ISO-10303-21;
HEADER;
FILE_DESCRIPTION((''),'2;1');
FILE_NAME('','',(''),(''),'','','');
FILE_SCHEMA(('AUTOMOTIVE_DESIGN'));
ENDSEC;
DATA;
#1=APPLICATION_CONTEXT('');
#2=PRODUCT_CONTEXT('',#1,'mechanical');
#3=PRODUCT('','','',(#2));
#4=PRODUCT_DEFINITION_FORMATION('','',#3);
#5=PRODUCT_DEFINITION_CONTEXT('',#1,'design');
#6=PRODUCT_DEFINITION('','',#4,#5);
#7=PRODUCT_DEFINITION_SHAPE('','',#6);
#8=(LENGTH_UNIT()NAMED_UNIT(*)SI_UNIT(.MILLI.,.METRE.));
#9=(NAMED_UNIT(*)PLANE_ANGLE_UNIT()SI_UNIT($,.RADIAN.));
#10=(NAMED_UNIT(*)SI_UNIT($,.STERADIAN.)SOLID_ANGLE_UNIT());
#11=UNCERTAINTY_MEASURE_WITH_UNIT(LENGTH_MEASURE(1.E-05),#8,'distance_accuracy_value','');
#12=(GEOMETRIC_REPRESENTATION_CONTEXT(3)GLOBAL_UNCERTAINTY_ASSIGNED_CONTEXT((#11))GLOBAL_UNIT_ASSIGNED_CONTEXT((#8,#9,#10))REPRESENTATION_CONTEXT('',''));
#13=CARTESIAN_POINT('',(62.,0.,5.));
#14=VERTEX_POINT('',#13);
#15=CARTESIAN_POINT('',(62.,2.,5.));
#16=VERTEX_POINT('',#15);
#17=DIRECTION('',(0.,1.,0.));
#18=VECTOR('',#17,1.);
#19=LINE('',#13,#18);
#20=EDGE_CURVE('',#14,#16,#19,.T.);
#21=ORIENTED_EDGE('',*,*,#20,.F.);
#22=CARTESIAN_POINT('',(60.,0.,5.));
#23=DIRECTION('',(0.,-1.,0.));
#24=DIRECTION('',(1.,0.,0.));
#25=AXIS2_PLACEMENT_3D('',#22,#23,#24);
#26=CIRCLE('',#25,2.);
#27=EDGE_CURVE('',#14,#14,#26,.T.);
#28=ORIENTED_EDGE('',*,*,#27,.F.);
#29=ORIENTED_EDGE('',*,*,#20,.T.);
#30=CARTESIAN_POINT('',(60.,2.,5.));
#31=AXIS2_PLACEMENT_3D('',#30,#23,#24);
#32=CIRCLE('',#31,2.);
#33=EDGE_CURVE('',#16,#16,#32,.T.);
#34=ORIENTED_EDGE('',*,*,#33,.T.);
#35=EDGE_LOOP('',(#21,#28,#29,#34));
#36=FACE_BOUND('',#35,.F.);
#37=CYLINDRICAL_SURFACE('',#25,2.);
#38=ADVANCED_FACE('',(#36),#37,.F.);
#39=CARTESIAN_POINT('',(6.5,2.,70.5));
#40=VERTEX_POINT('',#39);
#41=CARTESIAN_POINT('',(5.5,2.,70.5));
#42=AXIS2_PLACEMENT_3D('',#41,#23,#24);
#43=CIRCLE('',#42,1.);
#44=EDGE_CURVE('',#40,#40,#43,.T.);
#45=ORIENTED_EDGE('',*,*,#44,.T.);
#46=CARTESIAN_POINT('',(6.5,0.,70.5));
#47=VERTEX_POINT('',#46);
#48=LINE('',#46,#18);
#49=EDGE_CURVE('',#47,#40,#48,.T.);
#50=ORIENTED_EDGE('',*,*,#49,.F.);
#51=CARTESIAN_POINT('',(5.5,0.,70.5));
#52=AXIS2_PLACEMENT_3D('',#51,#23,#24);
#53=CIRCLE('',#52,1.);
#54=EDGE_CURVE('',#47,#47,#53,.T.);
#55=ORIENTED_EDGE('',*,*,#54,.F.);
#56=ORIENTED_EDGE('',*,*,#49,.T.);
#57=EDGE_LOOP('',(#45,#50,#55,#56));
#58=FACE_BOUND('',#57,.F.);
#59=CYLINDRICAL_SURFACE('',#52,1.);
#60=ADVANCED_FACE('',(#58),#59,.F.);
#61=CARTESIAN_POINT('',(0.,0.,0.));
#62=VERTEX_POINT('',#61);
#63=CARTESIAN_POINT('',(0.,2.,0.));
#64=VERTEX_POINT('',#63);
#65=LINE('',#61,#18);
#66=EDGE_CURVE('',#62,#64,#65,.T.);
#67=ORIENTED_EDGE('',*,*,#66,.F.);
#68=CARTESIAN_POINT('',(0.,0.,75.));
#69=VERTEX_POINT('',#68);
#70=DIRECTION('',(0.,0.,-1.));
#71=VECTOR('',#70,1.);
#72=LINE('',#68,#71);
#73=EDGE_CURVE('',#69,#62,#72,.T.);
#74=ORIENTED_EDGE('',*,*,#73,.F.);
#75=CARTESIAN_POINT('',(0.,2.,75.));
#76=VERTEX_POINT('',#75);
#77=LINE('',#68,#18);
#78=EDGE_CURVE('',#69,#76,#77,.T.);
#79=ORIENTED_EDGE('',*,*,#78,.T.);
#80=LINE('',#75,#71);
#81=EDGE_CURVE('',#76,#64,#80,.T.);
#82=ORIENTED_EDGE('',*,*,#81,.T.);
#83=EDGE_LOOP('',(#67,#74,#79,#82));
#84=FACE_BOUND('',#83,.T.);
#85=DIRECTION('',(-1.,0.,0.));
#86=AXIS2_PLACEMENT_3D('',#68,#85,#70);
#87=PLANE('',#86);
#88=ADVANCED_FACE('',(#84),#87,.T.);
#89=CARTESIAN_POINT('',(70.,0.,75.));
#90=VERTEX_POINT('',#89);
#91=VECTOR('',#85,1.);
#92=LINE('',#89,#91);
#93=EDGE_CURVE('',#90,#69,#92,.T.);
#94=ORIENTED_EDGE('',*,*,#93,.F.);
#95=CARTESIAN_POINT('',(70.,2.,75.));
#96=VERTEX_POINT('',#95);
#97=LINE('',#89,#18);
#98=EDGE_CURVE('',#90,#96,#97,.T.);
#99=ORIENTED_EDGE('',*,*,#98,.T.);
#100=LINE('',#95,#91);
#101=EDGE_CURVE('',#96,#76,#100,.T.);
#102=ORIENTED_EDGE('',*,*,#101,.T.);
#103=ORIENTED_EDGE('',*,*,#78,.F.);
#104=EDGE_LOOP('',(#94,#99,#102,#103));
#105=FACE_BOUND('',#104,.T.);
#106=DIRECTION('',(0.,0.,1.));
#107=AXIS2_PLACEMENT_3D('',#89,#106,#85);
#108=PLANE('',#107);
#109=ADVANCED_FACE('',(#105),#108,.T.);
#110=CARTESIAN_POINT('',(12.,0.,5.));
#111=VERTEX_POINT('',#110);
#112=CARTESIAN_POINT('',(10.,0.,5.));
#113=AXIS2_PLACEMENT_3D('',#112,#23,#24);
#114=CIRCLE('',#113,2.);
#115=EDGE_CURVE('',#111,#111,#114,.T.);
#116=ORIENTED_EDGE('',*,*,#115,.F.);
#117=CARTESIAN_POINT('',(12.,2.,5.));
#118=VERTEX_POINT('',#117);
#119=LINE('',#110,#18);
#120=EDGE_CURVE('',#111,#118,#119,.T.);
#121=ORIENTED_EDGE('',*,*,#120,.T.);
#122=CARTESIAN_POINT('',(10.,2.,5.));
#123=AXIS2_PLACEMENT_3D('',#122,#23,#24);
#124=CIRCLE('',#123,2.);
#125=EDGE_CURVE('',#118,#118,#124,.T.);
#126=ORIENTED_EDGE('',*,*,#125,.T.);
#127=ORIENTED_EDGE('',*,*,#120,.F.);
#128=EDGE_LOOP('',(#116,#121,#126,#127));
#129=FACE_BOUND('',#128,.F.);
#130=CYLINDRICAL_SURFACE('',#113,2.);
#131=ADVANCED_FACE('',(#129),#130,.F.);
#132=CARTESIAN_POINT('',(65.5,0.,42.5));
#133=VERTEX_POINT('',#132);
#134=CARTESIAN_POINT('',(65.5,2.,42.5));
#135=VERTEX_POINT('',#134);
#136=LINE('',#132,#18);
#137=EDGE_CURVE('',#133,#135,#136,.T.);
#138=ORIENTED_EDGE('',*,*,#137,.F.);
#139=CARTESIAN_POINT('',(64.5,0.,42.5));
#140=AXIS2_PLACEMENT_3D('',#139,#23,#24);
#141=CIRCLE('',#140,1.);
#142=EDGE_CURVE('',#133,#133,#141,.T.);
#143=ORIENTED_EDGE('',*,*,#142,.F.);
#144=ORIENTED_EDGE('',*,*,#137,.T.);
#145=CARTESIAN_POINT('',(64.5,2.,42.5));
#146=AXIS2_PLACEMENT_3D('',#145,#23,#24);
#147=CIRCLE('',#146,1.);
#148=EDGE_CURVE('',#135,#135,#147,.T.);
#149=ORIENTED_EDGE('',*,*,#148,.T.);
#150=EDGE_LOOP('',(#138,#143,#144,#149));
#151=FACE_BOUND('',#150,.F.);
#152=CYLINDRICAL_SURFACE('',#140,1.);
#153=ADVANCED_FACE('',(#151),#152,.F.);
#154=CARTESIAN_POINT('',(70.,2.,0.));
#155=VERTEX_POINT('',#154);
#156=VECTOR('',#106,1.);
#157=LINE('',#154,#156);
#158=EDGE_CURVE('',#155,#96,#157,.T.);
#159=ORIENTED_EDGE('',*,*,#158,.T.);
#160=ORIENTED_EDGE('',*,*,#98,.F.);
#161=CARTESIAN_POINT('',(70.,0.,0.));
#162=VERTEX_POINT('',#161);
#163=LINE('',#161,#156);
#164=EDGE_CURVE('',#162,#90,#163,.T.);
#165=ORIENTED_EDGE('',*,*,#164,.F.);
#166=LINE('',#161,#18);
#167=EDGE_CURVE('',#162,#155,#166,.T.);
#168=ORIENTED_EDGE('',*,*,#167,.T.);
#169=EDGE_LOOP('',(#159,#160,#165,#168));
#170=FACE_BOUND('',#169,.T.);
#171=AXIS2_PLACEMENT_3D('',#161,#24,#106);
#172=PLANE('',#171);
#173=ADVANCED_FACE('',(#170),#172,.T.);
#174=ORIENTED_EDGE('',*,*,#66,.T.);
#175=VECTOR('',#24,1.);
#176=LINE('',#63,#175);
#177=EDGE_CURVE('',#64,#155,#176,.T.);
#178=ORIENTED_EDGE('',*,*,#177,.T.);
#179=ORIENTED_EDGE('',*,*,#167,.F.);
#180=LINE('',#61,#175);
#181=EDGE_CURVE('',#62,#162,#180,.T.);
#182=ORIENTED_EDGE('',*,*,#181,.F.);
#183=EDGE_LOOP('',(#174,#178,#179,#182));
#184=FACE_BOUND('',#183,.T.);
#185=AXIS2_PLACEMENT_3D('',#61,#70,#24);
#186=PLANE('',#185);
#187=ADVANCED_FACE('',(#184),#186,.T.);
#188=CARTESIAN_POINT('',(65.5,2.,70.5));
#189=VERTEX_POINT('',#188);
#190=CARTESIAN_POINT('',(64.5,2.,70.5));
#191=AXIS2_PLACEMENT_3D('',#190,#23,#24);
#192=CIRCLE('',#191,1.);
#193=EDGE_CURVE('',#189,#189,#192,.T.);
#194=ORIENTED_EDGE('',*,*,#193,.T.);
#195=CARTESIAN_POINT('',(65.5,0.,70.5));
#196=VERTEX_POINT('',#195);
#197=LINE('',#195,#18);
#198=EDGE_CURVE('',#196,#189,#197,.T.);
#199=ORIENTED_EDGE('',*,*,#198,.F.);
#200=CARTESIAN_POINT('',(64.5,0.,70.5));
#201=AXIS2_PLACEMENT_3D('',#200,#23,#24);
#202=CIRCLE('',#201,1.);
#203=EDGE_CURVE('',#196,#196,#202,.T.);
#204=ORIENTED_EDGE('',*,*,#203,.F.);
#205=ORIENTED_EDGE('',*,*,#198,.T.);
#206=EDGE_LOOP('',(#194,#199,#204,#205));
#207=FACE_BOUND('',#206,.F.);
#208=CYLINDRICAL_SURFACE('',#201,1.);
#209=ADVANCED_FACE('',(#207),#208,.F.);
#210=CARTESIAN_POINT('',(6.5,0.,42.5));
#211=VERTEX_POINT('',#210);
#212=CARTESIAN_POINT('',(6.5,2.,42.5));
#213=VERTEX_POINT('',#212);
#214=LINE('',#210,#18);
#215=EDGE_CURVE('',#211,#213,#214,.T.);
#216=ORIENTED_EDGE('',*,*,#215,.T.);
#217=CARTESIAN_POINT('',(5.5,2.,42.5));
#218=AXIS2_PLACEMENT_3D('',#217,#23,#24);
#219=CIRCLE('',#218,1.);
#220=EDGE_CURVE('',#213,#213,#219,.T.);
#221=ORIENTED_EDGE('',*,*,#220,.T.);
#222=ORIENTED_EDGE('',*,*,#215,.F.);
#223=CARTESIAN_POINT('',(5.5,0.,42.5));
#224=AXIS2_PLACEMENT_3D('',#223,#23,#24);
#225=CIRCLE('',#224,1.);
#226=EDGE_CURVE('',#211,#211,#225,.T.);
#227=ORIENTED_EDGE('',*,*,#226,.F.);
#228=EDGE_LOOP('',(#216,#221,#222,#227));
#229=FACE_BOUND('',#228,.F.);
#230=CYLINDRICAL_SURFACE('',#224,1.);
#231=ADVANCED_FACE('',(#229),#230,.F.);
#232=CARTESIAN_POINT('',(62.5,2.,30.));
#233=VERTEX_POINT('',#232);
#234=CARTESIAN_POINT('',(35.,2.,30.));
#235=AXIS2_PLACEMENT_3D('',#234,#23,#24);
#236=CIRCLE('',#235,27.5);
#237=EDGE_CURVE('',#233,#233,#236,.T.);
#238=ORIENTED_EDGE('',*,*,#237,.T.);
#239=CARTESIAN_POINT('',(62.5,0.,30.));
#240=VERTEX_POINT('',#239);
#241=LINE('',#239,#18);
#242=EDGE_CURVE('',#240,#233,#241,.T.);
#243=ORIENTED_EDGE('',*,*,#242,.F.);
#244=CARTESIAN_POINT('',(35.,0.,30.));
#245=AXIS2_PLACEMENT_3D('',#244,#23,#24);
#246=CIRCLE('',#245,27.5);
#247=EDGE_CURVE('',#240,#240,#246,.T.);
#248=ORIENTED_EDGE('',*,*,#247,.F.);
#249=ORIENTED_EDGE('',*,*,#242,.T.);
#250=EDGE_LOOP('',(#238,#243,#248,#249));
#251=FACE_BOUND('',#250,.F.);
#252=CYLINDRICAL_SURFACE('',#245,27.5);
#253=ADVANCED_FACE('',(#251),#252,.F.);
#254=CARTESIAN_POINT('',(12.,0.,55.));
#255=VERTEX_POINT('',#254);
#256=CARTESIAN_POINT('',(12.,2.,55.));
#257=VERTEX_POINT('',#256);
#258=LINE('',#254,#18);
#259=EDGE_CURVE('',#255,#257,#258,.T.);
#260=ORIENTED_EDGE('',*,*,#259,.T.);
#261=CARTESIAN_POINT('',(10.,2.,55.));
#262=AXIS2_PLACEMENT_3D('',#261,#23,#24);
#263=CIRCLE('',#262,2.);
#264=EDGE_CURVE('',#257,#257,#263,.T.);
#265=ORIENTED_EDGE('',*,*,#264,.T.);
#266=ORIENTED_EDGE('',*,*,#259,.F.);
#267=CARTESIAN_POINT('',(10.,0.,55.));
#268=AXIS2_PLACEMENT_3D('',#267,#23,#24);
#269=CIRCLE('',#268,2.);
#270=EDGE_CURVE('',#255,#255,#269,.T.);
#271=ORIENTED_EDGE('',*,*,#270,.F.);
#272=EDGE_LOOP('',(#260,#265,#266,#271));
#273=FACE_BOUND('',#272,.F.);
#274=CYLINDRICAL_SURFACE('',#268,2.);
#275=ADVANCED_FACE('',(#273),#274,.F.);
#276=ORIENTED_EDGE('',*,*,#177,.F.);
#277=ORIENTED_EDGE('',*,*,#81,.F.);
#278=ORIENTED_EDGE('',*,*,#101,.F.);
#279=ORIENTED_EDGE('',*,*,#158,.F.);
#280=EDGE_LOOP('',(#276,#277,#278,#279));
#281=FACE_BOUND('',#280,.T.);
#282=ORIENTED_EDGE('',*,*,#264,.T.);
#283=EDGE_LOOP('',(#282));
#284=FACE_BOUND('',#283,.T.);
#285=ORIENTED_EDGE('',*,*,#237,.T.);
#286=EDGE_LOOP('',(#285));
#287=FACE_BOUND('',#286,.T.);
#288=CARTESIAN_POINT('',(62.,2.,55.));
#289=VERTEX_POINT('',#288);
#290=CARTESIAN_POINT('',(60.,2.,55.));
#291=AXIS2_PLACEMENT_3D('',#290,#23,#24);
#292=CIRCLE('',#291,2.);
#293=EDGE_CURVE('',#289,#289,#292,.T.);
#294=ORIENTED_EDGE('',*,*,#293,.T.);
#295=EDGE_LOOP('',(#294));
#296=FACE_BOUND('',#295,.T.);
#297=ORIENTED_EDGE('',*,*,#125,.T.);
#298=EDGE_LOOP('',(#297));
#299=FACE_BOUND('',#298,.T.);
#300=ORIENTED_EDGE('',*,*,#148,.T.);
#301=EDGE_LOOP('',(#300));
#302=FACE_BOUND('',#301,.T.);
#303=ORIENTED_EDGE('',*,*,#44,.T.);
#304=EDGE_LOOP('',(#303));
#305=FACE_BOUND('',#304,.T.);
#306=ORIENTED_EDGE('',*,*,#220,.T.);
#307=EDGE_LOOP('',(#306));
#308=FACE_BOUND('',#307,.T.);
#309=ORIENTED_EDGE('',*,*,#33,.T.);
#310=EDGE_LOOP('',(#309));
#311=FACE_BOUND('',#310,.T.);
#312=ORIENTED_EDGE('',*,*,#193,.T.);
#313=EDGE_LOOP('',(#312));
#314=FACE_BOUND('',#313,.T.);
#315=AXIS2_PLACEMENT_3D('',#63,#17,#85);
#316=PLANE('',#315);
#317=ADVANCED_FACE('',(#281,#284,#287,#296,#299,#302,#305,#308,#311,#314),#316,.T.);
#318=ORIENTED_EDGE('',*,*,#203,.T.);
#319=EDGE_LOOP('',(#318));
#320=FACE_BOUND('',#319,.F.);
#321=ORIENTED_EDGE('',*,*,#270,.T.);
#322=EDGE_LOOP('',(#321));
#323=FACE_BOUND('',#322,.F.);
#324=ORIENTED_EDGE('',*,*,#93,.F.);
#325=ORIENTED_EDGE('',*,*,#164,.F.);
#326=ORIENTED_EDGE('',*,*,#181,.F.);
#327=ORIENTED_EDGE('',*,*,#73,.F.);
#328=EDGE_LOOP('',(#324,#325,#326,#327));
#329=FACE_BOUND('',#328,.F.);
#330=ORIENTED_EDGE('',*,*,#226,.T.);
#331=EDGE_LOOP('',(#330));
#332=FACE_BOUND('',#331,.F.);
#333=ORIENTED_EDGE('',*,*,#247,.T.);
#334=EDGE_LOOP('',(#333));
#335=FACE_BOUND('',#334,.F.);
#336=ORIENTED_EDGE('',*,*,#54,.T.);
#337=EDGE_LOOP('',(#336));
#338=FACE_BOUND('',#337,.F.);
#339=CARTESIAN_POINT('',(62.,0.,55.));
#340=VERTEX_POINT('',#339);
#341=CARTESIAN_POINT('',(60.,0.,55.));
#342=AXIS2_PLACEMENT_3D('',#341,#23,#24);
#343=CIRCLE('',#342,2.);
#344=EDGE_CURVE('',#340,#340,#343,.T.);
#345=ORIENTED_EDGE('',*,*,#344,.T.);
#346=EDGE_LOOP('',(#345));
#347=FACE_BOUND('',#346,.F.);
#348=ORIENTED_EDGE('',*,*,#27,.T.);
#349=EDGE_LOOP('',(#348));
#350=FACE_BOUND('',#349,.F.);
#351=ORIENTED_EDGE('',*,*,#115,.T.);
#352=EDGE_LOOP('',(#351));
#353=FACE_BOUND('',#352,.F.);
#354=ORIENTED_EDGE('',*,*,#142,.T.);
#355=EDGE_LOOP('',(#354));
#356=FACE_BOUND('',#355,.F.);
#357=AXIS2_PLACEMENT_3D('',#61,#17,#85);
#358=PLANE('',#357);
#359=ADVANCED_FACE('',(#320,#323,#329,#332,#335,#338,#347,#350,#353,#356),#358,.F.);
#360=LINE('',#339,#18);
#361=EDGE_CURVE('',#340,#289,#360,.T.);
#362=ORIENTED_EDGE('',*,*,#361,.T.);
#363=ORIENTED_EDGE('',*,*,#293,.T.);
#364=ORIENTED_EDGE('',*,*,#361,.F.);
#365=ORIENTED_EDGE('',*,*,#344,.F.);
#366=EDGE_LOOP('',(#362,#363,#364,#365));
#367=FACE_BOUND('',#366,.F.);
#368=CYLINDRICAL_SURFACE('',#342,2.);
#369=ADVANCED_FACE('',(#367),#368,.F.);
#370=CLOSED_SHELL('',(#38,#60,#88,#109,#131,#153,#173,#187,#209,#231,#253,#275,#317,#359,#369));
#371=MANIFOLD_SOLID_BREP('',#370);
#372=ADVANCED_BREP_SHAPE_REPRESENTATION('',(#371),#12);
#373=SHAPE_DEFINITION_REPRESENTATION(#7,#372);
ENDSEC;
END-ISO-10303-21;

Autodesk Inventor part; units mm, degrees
ref_plane "YZ Plane" through (0, 0, 0) normal (1, 0, 0) x (0, 1, 0)
ref_plane "XZ Plane" through (0, 0, 0) normal (0, 1, 0) x (-1, 0, 0)
ref_plane "XY Plane" through (0, 0, 0) normal (0, 0, 1) x (1, 0, 0)
sketch "Sketch1" plane through (0, 0, 0) normal (0, 1, 0) x (-1, 0, 0)
  line L0 (0, 0) -> (-70, 0)
  line L1 (-70, 0) -> (-70, 75)
  line L2 (-70, 75) -> (0, 75)
  line L3 (0, 75) -> (0, 0)
  dimension "d0" = 75
  dimension "d1" = 70
extrude "Extrusion1" add sketch "Sketch1" along normal blind 2
sketch "Sketch2" plane through (0, 0, 0) normal (0, -1, 0) x (1, 0, 0)
  line L0 (70, 0) -> (70, 75) projected
  line L1 (70, 75) -> (0, 75) projected
  circle A0 centre (60, 55) radius 2
  circle A1 centre (10, 55) radius 2
  circle A2 centre (60, 5) radius 2
  circle A3 centre (10, 5) radius 2
  line L2 (0, 0) -> (70, 0) projected
  line L3 (35, 75) -> (35, 0) construction
  line L4 (5, 0) -> (65, 0) construction
  line L5 (65, 0) -> (65, 60) construction
  line L6 (65, 60) -> (5, 60) construction
  line L7 (5, 60) -> (5, 0) construction
  line L8 (5, 0) -> (65, 60) construction
  line L9 (65, 0) -> (5, 60) construction
  circle A4 centre (35, 30) radius 27.5
  dimension "d7" = 4
  dimension "d44" = 50
  dimension "d47" = 50
  dimension "d56" = 55
  dimension "d71" = 60
  dimension "d72" = 60
  dimension "d73" = 30
  dimension "d74" = 5
  dimension "d75" = 55
extrude "Extrusion2" cut sketch "Sketch2" against normal through all
sketch "Sketch5" plane through (0, 0, 0) normal (0, -1, 0) x (1, 0, 0)
  line L0 (0, 0) -> (70, 0) projected
  line L1 (70, 0) -> (70, 75) projected
  line L2 (70, 75) -> (0, 75) projected
  circle A0 centre (64.5, 70.5) radius 1
  circle A1 centre (5.5, 70.5) radius 1
  circle A2 centre (64.5, 42.5) radius 1
  circle A3 centre (5.5, 42.5) radius 1
  line L3 (35, 75) -> (35, 0) construction
  dimension "d57" = 2
  dimension "d58" = 4.5
  dimension "d61" = 59
  dimension "d64" = 28
  dimension "d68" = 59
extrude "Extrusion5" cut sketch "Sketch5" against normal through all
properties part number "base_usb3"
